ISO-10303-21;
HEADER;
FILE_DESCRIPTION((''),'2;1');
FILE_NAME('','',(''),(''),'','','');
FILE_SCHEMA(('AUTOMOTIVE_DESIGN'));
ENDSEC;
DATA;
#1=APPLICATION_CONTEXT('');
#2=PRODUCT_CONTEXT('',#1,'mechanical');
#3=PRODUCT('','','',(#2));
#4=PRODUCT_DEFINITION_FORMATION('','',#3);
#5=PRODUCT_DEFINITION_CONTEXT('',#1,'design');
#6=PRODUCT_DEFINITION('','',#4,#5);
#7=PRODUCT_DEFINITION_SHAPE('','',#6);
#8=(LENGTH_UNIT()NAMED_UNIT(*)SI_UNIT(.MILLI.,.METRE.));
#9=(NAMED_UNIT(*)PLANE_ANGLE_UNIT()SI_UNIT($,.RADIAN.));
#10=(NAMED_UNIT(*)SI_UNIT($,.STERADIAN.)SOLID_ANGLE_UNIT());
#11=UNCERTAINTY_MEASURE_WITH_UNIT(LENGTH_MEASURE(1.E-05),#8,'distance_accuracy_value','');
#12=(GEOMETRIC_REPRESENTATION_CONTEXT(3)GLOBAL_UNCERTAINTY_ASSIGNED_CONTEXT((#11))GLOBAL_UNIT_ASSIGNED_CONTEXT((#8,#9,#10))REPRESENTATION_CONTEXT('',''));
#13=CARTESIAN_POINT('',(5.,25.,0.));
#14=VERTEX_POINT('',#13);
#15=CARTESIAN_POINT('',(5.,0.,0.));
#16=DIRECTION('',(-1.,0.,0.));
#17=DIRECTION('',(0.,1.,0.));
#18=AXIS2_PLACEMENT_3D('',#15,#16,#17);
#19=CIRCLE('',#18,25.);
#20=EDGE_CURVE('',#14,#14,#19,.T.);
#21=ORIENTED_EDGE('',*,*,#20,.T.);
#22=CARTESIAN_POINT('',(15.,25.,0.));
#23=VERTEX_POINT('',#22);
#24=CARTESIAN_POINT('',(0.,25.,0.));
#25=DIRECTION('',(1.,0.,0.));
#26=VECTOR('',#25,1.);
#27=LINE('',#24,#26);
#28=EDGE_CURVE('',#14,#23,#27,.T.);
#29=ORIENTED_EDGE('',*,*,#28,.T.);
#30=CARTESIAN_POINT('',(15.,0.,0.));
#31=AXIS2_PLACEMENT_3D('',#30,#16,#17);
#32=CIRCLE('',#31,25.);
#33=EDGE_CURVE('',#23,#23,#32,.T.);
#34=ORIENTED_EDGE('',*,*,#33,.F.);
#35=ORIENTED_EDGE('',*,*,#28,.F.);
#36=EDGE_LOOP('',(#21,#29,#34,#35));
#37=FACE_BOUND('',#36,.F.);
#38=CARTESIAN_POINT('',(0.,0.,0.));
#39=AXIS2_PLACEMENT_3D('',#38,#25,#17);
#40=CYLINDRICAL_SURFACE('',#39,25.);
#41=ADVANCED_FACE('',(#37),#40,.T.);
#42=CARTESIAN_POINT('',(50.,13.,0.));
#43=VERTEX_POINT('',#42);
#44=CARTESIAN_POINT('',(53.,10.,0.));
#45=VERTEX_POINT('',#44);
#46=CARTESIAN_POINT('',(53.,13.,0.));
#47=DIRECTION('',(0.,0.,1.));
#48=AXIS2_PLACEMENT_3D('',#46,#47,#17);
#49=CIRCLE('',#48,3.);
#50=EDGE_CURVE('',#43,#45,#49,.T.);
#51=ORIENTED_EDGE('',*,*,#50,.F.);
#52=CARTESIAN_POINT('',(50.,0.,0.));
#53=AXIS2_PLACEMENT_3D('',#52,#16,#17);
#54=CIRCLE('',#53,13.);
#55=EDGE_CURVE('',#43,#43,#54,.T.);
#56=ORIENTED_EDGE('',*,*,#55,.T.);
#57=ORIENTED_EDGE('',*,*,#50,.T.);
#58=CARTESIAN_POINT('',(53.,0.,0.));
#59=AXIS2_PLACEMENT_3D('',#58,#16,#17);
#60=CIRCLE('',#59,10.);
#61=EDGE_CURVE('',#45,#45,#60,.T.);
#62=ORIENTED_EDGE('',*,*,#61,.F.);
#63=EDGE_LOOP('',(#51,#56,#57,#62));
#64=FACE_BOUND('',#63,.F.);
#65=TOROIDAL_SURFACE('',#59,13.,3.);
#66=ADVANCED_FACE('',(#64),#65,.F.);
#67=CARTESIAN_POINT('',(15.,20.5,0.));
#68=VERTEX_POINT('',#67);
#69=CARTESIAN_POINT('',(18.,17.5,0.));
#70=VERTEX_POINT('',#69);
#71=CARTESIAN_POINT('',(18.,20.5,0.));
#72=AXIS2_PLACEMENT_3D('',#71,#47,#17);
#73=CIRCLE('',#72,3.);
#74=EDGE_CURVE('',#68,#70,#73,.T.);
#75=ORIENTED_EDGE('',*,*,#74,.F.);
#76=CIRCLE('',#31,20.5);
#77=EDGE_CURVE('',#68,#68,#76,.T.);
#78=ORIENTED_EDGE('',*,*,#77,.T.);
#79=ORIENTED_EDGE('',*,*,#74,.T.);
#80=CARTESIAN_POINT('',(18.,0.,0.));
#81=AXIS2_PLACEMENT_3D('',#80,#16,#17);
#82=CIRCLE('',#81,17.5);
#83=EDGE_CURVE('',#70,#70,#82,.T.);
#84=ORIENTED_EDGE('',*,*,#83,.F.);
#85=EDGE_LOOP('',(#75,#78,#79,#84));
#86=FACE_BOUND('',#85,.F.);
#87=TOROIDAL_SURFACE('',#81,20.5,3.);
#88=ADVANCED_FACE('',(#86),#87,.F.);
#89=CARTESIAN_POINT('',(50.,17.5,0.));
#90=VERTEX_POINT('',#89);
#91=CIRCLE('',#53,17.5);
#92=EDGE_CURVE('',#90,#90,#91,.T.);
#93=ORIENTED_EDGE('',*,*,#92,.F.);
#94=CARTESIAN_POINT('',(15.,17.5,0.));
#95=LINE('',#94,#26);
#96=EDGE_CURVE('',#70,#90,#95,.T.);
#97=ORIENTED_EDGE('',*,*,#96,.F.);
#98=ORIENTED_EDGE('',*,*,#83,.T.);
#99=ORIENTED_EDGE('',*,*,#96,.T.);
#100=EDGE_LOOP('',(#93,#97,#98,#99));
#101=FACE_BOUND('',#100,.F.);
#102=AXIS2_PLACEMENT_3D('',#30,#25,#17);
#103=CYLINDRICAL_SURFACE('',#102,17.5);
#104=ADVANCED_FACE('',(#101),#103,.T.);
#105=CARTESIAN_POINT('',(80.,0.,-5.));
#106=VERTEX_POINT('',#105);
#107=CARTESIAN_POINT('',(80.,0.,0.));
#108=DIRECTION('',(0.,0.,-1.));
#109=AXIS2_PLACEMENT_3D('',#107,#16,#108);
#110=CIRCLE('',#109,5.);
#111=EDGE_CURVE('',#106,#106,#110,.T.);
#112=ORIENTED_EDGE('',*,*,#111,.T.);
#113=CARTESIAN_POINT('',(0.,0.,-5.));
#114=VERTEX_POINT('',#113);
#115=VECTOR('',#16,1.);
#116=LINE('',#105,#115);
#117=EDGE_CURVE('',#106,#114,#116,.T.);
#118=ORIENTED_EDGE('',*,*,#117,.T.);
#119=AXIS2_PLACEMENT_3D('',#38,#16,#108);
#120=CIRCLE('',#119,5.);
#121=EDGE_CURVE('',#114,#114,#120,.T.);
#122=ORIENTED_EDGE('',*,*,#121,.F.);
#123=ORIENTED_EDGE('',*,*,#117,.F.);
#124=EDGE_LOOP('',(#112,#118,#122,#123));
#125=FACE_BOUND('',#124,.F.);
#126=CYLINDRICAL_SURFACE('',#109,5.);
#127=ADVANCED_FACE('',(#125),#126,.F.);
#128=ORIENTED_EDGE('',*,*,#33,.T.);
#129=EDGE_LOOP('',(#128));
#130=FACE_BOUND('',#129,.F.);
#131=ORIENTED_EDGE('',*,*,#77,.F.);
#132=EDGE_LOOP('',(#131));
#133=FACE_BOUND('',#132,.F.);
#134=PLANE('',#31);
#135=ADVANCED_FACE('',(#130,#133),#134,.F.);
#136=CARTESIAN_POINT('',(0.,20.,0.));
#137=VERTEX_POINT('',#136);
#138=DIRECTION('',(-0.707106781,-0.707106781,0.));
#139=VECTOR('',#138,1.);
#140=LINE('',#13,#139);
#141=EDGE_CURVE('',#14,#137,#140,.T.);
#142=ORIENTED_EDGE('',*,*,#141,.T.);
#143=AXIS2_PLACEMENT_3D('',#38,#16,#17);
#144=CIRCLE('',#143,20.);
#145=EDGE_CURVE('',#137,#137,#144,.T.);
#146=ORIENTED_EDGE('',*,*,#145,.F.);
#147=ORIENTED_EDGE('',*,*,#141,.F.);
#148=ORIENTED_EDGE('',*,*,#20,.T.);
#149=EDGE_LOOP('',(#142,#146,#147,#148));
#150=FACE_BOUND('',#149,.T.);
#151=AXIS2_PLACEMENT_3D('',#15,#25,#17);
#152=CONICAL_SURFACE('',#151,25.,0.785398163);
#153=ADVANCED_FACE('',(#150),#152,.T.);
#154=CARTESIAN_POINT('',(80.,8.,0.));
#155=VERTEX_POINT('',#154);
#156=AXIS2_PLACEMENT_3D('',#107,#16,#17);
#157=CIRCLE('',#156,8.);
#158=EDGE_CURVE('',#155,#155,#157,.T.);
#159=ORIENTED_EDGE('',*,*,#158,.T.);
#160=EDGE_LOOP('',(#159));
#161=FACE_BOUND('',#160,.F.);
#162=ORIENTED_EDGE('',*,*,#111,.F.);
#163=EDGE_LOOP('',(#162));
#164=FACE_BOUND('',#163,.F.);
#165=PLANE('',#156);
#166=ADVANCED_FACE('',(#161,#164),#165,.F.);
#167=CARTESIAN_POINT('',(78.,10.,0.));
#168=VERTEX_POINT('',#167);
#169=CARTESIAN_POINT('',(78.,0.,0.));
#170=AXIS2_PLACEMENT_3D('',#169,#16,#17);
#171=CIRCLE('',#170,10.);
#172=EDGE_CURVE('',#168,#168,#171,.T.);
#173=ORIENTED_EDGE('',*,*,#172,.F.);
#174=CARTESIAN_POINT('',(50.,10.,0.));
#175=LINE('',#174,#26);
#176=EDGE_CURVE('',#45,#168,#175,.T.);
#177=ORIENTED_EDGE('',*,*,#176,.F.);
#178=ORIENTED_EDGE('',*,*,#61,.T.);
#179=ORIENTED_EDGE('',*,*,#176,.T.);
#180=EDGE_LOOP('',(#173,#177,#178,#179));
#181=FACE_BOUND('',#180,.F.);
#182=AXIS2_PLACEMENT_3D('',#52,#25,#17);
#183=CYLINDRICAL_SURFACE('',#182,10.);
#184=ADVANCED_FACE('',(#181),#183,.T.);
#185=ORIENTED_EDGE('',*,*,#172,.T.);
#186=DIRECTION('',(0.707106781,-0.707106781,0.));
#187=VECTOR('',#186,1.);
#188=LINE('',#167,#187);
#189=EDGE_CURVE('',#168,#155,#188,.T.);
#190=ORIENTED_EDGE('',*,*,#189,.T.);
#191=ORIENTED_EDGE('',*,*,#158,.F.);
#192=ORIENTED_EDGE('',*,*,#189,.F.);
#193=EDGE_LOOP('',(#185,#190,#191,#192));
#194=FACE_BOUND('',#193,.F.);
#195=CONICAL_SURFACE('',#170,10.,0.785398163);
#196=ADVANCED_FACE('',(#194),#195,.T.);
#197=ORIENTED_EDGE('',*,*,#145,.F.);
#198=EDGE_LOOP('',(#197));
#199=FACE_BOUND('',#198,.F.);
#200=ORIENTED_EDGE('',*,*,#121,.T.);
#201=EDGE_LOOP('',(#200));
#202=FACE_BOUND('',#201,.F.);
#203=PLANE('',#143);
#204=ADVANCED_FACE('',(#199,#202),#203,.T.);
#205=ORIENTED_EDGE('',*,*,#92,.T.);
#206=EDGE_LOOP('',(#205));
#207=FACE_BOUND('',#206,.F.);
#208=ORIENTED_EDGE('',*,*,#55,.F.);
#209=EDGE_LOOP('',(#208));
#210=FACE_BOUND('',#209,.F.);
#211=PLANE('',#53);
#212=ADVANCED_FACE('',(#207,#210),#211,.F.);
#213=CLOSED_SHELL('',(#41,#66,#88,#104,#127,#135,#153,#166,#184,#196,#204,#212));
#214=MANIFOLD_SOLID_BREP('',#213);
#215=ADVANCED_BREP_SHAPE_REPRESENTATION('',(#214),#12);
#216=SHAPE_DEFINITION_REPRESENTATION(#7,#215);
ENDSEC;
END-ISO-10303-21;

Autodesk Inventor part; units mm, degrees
ref_plane "YZ Plane" through (0, 0, 0) normal (1, 0, 0) x (0, 1, 0)
ref_plane "XZ Plane" through (0, 0, 0) normal (0, 1, 0) x (-1, 0, 0)
ref_plane "XY Plane" through (0, 0, 0) normal (0, 0, 1) x (1, 0, 0)
sketch "Esboço1" plane through (0, 0, 0) normal (0, 0, 1) x (1, 0, 0)
  line L0 (0, 0) -> (0, 25)
  line L1 (0, 25) -> (15, 25)
  line L2 (15, 25) -> (15, 17.5)
  line L3 (15, 17.5) -> (50, 17.5)
  line L4 (50, 17.5) -> (50, 10)
  line L5 (50, 10) -> (80, 10)
  line L6 (80, 10) -> (80, 0)
  line L7 (80, 0) -> (0, 0)
  dimension "d0" = 50
  dimension "d1" = 35
  dimension "d2" = 20
  dimension "d3" = 15
  dimension "d4" = 65
  dimension "d5" = 30
revolve "Revolução1" add sketch "Esboço1" angle 360 about axis through (80, 0, 0) along (-1, 0, 0)
fillet "Arredondamento1" radius 3 2 edges at (15, -17.5, 0) (50, -10, 0)
chamfer "Chanfro1" distance 2 angle 45 1 edges at (80, -10, 0)
chamfer "Chanfro2" distance 5 angle 45 1 edges at (0, -25, 0)
sketch "Esboço2" plane through (80, 0, 0) normal (1, 0, 0) x (0, 0, -1)
  circle A0 centre (0, 0) radius 10 projected
hole "Furo1" at (80, 0, 0) direction (-1, 0, 0) diameter 10 end through all
properties part number "3D Model"
